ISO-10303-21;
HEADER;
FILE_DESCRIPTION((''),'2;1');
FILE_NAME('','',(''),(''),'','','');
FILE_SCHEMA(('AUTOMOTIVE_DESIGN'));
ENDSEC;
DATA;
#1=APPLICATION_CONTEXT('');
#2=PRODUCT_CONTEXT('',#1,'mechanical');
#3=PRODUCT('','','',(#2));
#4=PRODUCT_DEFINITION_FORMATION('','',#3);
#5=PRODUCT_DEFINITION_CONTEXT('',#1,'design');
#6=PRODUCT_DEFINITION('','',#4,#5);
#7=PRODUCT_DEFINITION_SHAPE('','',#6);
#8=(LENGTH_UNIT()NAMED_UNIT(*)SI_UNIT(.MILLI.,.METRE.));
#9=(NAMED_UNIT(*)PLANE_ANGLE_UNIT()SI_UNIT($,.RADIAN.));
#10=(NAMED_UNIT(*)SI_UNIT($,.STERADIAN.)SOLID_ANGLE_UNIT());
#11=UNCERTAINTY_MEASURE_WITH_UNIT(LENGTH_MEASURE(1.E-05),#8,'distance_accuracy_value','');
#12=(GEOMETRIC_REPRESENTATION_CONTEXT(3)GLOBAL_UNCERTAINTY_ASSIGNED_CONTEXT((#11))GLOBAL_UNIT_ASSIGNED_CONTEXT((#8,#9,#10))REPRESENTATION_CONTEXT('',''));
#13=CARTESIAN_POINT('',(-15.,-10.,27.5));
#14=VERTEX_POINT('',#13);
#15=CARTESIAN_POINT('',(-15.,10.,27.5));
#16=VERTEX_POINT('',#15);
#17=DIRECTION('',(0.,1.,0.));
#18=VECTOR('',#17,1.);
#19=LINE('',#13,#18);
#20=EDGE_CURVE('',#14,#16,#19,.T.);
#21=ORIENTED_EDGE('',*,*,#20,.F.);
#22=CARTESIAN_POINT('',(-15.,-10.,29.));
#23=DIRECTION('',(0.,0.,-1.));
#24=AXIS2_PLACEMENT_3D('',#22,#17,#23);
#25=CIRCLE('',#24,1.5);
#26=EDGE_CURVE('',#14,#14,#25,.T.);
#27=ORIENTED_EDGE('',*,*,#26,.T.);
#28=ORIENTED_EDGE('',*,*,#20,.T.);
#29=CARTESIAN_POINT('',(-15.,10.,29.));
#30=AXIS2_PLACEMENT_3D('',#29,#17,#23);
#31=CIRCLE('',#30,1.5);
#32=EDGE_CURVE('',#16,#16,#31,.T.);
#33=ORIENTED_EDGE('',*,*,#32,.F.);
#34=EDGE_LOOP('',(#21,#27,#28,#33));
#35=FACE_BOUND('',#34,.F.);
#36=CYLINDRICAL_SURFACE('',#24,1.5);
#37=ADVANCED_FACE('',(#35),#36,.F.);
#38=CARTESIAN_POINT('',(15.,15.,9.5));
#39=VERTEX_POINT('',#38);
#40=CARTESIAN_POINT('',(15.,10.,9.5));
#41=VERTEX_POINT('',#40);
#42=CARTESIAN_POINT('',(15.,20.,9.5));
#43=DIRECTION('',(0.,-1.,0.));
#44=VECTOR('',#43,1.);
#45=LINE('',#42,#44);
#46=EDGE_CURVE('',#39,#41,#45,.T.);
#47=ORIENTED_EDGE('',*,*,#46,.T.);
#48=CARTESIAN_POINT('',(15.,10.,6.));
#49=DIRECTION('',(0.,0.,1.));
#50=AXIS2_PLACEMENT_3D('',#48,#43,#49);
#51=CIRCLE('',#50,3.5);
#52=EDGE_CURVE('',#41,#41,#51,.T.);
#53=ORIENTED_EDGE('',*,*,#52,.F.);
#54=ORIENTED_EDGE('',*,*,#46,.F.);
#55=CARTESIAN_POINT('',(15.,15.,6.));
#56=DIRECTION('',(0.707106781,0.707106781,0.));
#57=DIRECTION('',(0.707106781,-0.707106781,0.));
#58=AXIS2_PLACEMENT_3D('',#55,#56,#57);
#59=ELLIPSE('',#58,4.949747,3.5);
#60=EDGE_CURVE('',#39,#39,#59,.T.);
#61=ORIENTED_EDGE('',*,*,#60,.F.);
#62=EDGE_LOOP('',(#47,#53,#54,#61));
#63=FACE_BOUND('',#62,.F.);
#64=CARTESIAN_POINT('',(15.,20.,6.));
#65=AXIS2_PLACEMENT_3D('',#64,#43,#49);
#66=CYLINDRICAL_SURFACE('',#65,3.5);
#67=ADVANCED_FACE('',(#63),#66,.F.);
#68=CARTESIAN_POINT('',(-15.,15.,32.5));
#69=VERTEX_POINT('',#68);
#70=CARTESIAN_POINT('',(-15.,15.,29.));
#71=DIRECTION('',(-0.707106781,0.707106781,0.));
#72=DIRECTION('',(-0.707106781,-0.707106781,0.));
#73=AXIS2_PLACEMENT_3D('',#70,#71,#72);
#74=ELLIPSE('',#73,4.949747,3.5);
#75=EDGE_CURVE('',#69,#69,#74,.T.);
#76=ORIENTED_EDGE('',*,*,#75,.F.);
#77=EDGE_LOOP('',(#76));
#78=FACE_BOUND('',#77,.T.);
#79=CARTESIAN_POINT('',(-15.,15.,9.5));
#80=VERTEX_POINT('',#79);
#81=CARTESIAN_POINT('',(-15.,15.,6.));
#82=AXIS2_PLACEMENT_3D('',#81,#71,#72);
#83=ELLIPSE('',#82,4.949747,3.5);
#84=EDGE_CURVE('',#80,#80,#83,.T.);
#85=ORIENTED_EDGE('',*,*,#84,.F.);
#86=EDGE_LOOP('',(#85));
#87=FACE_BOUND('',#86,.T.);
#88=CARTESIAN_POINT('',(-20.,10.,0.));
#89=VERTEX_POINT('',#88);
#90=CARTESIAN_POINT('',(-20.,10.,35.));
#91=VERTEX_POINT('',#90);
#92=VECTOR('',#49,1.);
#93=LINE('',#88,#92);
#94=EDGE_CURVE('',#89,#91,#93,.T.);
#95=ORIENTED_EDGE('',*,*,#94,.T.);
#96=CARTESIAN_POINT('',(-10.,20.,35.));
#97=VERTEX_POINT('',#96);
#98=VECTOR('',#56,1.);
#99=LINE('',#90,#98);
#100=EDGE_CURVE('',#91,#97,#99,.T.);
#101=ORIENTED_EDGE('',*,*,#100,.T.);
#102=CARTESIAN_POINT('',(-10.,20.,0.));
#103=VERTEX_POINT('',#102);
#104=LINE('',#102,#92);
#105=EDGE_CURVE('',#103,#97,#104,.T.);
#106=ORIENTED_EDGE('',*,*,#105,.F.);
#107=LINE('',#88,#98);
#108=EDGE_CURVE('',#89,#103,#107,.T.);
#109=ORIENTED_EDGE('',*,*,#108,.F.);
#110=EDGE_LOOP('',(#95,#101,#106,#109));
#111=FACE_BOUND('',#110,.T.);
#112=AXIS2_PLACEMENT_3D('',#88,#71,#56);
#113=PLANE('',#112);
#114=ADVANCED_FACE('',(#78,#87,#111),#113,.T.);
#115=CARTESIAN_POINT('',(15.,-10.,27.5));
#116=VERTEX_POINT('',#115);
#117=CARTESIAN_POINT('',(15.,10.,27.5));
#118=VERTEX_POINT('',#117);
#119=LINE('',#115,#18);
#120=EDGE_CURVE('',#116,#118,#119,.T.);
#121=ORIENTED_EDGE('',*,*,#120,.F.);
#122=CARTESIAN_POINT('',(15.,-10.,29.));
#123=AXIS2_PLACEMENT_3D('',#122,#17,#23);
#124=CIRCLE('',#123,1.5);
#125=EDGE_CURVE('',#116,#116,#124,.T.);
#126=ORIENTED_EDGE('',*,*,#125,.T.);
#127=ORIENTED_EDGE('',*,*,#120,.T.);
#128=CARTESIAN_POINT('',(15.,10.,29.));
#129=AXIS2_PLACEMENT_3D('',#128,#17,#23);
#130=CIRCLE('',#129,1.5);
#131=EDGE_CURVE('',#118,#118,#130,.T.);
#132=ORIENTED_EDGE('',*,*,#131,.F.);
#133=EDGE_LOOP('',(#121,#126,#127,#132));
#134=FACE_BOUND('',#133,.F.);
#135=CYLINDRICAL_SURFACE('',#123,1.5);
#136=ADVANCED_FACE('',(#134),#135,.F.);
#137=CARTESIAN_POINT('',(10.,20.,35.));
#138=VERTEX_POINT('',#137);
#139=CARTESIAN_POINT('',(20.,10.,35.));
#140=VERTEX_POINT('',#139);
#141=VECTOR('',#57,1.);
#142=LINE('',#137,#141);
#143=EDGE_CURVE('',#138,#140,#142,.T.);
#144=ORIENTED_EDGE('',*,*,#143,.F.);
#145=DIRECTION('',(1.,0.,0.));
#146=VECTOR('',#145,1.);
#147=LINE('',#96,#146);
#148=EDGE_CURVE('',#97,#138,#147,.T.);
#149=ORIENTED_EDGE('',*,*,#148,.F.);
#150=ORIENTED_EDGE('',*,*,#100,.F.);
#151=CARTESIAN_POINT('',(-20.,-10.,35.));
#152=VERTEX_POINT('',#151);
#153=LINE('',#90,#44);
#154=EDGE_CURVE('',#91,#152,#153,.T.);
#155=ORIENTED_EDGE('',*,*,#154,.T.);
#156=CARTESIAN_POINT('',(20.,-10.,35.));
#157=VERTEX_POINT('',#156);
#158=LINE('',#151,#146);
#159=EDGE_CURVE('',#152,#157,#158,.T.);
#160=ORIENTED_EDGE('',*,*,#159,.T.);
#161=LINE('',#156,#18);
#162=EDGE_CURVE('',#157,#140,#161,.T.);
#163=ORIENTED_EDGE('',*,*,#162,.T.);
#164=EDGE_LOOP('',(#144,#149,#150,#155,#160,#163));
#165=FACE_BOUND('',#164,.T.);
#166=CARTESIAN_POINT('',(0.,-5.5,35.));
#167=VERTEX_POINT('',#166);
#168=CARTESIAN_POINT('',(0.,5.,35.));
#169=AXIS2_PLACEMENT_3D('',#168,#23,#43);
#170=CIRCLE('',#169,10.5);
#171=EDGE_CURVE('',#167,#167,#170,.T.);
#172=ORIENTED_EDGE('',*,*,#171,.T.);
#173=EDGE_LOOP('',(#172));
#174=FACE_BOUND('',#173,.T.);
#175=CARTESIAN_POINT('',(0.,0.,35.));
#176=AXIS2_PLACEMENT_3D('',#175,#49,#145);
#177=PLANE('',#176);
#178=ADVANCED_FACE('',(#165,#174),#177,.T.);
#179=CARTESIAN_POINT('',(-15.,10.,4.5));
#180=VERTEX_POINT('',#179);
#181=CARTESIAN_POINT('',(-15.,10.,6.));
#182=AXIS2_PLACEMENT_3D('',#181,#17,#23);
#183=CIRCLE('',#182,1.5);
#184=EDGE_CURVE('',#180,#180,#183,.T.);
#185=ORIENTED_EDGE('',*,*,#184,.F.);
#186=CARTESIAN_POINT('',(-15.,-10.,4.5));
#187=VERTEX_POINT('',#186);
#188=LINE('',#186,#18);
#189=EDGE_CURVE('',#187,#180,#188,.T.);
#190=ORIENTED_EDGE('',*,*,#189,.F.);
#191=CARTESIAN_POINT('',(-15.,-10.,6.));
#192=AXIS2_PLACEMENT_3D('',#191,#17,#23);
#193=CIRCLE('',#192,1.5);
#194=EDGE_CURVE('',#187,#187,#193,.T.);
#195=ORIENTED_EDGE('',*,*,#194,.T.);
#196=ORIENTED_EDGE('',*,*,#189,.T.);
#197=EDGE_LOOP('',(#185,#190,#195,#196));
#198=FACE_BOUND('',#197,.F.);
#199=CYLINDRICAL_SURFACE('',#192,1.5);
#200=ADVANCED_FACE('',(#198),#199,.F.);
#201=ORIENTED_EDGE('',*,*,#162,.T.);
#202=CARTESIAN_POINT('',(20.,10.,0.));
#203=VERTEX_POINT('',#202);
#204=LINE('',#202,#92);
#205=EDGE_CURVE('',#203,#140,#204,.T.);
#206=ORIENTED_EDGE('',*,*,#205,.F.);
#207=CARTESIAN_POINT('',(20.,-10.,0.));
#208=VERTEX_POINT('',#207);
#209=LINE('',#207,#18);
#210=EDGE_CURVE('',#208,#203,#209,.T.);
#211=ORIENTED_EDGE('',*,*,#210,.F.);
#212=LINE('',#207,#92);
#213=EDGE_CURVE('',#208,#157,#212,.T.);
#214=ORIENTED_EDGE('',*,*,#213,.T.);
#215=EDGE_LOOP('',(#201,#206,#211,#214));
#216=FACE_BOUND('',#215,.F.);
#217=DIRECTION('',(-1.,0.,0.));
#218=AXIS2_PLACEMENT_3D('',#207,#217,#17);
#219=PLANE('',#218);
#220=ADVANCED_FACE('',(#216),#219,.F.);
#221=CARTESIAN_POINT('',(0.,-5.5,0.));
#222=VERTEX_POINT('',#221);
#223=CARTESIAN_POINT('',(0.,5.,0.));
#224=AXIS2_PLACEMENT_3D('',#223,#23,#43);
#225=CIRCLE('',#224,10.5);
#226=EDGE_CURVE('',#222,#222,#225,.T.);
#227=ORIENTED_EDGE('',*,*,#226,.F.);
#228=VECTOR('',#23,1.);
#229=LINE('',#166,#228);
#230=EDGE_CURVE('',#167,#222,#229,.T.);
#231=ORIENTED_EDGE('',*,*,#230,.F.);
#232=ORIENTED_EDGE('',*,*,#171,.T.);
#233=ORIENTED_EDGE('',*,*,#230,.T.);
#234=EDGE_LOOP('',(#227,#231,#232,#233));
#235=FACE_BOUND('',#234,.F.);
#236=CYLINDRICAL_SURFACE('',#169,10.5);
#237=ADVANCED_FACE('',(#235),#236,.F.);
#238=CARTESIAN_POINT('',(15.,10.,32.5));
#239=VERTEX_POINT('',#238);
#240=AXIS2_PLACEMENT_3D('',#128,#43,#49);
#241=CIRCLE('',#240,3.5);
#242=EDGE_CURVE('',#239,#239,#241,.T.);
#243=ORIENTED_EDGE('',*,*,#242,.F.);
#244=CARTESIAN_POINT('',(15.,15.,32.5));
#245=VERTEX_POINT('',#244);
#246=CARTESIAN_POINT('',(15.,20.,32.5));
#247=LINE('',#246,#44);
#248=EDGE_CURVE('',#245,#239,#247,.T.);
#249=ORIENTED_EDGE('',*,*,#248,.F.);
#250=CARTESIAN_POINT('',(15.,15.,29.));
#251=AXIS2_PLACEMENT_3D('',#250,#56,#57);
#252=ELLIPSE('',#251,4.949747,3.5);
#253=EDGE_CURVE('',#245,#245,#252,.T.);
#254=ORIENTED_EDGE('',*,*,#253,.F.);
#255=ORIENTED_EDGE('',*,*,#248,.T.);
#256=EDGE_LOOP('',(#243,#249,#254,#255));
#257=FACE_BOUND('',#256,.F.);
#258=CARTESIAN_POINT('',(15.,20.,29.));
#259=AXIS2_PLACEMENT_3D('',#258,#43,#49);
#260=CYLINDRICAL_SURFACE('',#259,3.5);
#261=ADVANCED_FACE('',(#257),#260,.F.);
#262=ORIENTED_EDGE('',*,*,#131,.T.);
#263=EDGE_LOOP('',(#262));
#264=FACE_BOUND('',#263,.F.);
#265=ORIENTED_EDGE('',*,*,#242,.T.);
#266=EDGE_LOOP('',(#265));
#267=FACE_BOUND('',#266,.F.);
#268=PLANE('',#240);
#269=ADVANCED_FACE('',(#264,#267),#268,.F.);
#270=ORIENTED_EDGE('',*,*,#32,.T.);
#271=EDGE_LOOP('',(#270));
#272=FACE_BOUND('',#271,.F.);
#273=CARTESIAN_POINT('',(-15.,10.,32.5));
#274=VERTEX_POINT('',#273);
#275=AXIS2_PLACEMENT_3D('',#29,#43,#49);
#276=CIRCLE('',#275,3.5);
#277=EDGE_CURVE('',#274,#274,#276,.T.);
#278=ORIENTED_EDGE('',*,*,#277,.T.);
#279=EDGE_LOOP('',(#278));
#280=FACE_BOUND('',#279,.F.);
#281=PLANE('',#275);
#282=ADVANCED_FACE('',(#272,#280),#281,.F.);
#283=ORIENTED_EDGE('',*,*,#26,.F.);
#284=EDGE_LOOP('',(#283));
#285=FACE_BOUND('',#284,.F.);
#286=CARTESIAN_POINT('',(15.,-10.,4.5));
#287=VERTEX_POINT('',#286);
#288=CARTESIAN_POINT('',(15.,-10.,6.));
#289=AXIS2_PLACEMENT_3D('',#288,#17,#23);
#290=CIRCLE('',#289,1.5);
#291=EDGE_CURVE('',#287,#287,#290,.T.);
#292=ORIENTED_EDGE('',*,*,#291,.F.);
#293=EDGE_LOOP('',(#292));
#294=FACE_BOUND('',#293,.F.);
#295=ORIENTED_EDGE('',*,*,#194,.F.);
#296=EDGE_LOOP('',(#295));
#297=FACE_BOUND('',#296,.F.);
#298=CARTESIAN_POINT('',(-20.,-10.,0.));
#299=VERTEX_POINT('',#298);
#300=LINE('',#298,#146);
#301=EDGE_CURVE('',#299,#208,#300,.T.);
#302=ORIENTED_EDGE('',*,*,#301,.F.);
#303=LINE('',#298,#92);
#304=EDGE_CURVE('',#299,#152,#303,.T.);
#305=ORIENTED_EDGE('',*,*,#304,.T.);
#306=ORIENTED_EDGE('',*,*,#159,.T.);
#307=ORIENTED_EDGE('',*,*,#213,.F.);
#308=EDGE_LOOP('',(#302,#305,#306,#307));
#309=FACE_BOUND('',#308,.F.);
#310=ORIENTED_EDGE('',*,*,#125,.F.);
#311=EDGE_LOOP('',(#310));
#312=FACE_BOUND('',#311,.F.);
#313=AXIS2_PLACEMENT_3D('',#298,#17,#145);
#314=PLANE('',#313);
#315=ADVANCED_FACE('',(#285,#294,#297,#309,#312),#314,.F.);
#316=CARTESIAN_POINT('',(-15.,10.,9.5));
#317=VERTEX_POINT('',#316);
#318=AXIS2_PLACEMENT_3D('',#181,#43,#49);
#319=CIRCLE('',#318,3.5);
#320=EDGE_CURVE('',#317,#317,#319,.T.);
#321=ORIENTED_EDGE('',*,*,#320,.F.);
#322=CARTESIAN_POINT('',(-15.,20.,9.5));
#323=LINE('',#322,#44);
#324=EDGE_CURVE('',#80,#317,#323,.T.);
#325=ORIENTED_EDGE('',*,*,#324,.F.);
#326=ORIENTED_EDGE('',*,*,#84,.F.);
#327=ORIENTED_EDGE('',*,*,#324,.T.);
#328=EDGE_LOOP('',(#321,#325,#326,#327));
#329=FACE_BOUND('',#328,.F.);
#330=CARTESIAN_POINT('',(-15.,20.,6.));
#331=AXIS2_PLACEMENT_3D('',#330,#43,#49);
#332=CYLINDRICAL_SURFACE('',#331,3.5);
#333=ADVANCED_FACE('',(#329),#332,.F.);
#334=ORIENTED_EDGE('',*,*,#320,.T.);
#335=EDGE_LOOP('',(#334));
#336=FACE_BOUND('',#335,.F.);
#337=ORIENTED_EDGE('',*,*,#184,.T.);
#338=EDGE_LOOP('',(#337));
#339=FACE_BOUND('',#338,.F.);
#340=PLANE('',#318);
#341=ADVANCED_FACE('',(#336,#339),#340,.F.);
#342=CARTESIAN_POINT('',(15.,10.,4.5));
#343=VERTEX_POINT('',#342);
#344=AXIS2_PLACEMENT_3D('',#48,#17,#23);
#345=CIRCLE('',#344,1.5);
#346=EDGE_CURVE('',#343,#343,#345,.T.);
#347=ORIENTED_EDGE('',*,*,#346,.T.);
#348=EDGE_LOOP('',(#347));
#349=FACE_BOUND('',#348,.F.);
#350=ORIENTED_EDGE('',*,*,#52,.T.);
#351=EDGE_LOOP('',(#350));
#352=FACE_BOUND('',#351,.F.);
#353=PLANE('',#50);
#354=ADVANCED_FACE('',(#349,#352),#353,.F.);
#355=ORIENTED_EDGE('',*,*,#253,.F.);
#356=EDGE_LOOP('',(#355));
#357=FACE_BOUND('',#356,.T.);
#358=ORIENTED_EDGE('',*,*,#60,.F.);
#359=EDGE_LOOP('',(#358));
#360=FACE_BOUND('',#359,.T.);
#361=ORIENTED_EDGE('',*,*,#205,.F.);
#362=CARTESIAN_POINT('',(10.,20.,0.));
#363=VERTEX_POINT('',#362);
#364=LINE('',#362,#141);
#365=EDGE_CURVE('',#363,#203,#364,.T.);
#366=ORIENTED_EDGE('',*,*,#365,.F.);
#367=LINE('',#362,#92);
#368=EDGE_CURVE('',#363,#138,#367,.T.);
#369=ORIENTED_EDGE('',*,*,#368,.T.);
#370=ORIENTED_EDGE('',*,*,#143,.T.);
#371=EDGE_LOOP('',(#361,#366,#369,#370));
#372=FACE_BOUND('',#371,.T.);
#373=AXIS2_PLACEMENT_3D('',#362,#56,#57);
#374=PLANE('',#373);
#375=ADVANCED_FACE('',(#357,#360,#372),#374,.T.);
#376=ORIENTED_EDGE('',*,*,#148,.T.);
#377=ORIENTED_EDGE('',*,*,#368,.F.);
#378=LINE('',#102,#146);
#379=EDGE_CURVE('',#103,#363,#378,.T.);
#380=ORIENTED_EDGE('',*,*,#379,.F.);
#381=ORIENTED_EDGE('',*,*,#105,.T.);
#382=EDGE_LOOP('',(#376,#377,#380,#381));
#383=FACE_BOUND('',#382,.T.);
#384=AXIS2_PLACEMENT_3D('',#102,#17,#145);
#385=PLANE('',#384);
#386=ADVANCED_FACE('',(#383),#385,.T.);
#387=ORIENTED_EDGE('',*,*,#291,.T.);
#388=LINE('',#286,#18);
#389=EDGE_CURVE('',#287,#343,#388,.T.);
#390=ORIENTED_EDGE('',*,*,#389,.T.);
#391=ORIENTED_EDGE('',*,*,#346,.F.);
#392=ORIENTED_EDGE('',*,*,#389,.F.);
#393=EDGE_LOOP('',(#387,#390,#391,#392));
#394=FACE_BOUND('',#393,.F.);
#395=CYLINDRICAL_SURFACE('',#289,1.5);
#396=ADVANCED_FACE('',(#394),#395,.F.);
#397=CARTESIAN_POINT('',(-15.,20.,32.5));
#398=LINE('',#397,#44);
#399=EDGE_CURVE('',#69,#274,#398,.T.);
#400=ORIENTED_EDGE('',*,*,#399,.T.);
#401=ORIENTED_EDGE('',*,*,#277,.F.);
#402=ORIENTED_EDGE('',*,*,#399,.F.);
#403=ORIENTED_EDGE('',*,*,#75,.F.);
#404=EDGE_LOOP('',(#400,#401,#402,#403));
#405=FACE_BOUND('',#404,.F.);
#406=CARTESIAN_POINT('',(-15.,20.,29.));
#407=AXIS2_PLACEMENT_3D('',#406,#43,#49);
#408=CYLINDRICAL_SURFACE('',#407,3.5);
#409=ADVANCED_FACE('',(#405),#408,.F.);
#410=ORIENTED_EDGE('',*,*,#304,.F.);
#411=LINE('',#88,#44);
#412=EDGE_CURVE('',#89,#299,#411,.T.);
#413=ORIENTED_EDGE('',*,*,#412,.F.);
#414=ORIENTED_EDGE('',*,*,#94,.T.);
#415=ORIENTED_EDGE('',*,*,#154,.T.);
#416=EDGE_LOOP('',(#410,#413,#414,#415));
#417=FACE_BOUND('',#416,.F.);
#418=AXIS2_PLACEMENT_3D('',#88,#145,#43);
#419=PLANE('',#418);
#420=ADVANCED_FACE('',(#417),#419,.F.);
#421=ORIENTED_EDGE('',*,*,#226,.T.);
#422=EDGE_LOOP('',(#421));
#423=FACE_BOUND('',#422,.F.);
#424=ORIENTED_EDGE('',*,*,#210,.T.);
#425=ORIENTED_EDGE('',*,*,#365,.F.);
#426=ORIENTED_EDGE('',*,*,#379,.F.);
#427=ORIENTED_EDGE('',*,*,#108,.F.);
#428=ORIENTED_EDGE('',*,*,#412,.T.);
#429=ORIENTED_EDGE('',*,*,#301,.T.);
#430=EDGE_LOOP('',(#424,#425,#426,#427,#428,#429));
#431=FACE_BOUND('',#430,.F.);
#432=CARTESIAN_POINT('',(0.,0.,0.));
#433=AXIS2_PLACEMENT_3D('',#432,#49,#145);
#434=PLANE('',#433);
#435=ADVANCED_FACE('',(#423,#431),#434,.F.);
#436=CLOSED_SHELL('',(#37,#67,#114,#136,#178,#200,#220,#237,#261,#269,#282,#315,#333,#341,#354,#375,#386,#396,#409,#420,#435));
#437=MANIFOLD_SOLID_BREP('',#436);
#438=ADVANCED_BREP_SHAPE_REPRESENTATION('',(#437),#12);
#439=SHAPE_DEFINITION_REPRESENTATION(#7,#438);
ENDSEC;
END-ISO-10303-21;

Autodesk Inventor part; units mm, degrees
ref_plane "YZ Plane" through (0, 0, 0) normal (1, 0, 0) x (0, 1, 0)
ref_plane "XZ Plane" through (0, 0, 0) normal (0, 1, 0) x (-1, 0, 0)
ref_plane "XY Plane" through (0, 0, 0) normal (0, 0, 1) x (1, 0, 0)
sketch "Boceto2" plane through (0, 0, 0) normal (0, 0, 1) x (1, 0, 0)
  line L0 (-20, -10) -> (20, -10)
  line L1 (20, -10) -> (20, 10)
  line L2 (20, 10) -> (-20, 10)
  line L3 (-20, 10) -> (-20, -10)
  line L4 (-20, -10) -> (20, 10) construction
  line L5 (20, -10) -> (-20, 10) construction
  line L6 (-20, 10) -> (-10, 20)
  line L7 (10, 20) -> (20, 10)
  line L8 (-10, 20) -> (10, 20)
  point P0 (0, 0)
  dimension "d0" = 20
  dimension "d1" = 40
  dimension "d2" = 10
  dimension "d3" = 10
  dimension "d4" = 10
extrude "Extrusión1" add sketch "Boceto2" along normal blind 35
sketch "Boceto3" plane through (0, 0, 35) normal (0, 0, 1) x (1, 0, 0)
  circle A0 centre (0, 5) radius 10
  line L0 (-20, -10) -> (20, -10) projected
  point P0 (0, 0)
  dimension "d7" = 20
  dimension "d8" = 15
hole "Agujero1" at (0, 5, 35) direction (0, 0, -1) diameter 21 depth 35 tip angle 118
sketch "Boceto4" plane through (-20, -10, 0) normal (0, -1, 0) x (1, 0, 0)
  line L0 (5, 6) -> (35, 6)
  line L1 (35, 6) -> (35, 29)
  line L2 (35, 29) -> (5, 29)
  line L3 (5, 29) -> (5, 6)
  line L4 (5, 6) -> (35, 29) construction
  line L5 (35, 6) -> (5, 29) construction
  line L6 (40, 0) -> (40, 35) projected
  line L7 (30, 0) -> (30, 35) projected
  line L8 (0, 0) -> (0, 35) projected
  line L9 (0, 35) -> (40, 35) projected
  line L10 (0, 0) -> (40, 0) projected
  point P0 (20, 0)
  point P1 (20, 17.5)
  dimension "d16" = 23
  dimension "d17" = 5
  dimension "d18" = 10
  dimension "d19" = 5
  dimension "d20" = 30
  dimension "d30" = 17.5
  dimension "d31" = 35
hole "Agujero2" at (-15, -10, 29) at (15, -10, 29) at (15, -10, 6) at (-15, -10, 6) direction (0, 1, 0) diameter 3 depth 35 tip angle 118
sketch "Boceto6" plane through (-10, 20, 0) normal (0, 1, 0) x (1, 0, 0)
  line L0 (-5, -29) -> (25, -29)
  line L1 (25, -29) -> (25, -6)
  line L2 (25, -6) -> (-5, -6)
  line L3 (-5, -6) -> (-5, -29)
  line L4 (-5, -29) -> (25, -6) construction
  line L5 (25, -29) -> (-5, -6) construction
  line L6 (20, 0) -> (0, 0) projected
  point P0 (10, 0)
  point P1 (10, -17.5)
  dimension "d32" = 17.5
  dimension "d33" = 30
  dimension "d34" = 23
hole "Agujero3" at (15, 20, 29) at (-15, 20, 29) at (-15, 20, 6) at (15, 20, 6) direction (0, -1, 0) diameter 7 depth 10
properties part number "BracketLineal" material "Plástico ABS"
